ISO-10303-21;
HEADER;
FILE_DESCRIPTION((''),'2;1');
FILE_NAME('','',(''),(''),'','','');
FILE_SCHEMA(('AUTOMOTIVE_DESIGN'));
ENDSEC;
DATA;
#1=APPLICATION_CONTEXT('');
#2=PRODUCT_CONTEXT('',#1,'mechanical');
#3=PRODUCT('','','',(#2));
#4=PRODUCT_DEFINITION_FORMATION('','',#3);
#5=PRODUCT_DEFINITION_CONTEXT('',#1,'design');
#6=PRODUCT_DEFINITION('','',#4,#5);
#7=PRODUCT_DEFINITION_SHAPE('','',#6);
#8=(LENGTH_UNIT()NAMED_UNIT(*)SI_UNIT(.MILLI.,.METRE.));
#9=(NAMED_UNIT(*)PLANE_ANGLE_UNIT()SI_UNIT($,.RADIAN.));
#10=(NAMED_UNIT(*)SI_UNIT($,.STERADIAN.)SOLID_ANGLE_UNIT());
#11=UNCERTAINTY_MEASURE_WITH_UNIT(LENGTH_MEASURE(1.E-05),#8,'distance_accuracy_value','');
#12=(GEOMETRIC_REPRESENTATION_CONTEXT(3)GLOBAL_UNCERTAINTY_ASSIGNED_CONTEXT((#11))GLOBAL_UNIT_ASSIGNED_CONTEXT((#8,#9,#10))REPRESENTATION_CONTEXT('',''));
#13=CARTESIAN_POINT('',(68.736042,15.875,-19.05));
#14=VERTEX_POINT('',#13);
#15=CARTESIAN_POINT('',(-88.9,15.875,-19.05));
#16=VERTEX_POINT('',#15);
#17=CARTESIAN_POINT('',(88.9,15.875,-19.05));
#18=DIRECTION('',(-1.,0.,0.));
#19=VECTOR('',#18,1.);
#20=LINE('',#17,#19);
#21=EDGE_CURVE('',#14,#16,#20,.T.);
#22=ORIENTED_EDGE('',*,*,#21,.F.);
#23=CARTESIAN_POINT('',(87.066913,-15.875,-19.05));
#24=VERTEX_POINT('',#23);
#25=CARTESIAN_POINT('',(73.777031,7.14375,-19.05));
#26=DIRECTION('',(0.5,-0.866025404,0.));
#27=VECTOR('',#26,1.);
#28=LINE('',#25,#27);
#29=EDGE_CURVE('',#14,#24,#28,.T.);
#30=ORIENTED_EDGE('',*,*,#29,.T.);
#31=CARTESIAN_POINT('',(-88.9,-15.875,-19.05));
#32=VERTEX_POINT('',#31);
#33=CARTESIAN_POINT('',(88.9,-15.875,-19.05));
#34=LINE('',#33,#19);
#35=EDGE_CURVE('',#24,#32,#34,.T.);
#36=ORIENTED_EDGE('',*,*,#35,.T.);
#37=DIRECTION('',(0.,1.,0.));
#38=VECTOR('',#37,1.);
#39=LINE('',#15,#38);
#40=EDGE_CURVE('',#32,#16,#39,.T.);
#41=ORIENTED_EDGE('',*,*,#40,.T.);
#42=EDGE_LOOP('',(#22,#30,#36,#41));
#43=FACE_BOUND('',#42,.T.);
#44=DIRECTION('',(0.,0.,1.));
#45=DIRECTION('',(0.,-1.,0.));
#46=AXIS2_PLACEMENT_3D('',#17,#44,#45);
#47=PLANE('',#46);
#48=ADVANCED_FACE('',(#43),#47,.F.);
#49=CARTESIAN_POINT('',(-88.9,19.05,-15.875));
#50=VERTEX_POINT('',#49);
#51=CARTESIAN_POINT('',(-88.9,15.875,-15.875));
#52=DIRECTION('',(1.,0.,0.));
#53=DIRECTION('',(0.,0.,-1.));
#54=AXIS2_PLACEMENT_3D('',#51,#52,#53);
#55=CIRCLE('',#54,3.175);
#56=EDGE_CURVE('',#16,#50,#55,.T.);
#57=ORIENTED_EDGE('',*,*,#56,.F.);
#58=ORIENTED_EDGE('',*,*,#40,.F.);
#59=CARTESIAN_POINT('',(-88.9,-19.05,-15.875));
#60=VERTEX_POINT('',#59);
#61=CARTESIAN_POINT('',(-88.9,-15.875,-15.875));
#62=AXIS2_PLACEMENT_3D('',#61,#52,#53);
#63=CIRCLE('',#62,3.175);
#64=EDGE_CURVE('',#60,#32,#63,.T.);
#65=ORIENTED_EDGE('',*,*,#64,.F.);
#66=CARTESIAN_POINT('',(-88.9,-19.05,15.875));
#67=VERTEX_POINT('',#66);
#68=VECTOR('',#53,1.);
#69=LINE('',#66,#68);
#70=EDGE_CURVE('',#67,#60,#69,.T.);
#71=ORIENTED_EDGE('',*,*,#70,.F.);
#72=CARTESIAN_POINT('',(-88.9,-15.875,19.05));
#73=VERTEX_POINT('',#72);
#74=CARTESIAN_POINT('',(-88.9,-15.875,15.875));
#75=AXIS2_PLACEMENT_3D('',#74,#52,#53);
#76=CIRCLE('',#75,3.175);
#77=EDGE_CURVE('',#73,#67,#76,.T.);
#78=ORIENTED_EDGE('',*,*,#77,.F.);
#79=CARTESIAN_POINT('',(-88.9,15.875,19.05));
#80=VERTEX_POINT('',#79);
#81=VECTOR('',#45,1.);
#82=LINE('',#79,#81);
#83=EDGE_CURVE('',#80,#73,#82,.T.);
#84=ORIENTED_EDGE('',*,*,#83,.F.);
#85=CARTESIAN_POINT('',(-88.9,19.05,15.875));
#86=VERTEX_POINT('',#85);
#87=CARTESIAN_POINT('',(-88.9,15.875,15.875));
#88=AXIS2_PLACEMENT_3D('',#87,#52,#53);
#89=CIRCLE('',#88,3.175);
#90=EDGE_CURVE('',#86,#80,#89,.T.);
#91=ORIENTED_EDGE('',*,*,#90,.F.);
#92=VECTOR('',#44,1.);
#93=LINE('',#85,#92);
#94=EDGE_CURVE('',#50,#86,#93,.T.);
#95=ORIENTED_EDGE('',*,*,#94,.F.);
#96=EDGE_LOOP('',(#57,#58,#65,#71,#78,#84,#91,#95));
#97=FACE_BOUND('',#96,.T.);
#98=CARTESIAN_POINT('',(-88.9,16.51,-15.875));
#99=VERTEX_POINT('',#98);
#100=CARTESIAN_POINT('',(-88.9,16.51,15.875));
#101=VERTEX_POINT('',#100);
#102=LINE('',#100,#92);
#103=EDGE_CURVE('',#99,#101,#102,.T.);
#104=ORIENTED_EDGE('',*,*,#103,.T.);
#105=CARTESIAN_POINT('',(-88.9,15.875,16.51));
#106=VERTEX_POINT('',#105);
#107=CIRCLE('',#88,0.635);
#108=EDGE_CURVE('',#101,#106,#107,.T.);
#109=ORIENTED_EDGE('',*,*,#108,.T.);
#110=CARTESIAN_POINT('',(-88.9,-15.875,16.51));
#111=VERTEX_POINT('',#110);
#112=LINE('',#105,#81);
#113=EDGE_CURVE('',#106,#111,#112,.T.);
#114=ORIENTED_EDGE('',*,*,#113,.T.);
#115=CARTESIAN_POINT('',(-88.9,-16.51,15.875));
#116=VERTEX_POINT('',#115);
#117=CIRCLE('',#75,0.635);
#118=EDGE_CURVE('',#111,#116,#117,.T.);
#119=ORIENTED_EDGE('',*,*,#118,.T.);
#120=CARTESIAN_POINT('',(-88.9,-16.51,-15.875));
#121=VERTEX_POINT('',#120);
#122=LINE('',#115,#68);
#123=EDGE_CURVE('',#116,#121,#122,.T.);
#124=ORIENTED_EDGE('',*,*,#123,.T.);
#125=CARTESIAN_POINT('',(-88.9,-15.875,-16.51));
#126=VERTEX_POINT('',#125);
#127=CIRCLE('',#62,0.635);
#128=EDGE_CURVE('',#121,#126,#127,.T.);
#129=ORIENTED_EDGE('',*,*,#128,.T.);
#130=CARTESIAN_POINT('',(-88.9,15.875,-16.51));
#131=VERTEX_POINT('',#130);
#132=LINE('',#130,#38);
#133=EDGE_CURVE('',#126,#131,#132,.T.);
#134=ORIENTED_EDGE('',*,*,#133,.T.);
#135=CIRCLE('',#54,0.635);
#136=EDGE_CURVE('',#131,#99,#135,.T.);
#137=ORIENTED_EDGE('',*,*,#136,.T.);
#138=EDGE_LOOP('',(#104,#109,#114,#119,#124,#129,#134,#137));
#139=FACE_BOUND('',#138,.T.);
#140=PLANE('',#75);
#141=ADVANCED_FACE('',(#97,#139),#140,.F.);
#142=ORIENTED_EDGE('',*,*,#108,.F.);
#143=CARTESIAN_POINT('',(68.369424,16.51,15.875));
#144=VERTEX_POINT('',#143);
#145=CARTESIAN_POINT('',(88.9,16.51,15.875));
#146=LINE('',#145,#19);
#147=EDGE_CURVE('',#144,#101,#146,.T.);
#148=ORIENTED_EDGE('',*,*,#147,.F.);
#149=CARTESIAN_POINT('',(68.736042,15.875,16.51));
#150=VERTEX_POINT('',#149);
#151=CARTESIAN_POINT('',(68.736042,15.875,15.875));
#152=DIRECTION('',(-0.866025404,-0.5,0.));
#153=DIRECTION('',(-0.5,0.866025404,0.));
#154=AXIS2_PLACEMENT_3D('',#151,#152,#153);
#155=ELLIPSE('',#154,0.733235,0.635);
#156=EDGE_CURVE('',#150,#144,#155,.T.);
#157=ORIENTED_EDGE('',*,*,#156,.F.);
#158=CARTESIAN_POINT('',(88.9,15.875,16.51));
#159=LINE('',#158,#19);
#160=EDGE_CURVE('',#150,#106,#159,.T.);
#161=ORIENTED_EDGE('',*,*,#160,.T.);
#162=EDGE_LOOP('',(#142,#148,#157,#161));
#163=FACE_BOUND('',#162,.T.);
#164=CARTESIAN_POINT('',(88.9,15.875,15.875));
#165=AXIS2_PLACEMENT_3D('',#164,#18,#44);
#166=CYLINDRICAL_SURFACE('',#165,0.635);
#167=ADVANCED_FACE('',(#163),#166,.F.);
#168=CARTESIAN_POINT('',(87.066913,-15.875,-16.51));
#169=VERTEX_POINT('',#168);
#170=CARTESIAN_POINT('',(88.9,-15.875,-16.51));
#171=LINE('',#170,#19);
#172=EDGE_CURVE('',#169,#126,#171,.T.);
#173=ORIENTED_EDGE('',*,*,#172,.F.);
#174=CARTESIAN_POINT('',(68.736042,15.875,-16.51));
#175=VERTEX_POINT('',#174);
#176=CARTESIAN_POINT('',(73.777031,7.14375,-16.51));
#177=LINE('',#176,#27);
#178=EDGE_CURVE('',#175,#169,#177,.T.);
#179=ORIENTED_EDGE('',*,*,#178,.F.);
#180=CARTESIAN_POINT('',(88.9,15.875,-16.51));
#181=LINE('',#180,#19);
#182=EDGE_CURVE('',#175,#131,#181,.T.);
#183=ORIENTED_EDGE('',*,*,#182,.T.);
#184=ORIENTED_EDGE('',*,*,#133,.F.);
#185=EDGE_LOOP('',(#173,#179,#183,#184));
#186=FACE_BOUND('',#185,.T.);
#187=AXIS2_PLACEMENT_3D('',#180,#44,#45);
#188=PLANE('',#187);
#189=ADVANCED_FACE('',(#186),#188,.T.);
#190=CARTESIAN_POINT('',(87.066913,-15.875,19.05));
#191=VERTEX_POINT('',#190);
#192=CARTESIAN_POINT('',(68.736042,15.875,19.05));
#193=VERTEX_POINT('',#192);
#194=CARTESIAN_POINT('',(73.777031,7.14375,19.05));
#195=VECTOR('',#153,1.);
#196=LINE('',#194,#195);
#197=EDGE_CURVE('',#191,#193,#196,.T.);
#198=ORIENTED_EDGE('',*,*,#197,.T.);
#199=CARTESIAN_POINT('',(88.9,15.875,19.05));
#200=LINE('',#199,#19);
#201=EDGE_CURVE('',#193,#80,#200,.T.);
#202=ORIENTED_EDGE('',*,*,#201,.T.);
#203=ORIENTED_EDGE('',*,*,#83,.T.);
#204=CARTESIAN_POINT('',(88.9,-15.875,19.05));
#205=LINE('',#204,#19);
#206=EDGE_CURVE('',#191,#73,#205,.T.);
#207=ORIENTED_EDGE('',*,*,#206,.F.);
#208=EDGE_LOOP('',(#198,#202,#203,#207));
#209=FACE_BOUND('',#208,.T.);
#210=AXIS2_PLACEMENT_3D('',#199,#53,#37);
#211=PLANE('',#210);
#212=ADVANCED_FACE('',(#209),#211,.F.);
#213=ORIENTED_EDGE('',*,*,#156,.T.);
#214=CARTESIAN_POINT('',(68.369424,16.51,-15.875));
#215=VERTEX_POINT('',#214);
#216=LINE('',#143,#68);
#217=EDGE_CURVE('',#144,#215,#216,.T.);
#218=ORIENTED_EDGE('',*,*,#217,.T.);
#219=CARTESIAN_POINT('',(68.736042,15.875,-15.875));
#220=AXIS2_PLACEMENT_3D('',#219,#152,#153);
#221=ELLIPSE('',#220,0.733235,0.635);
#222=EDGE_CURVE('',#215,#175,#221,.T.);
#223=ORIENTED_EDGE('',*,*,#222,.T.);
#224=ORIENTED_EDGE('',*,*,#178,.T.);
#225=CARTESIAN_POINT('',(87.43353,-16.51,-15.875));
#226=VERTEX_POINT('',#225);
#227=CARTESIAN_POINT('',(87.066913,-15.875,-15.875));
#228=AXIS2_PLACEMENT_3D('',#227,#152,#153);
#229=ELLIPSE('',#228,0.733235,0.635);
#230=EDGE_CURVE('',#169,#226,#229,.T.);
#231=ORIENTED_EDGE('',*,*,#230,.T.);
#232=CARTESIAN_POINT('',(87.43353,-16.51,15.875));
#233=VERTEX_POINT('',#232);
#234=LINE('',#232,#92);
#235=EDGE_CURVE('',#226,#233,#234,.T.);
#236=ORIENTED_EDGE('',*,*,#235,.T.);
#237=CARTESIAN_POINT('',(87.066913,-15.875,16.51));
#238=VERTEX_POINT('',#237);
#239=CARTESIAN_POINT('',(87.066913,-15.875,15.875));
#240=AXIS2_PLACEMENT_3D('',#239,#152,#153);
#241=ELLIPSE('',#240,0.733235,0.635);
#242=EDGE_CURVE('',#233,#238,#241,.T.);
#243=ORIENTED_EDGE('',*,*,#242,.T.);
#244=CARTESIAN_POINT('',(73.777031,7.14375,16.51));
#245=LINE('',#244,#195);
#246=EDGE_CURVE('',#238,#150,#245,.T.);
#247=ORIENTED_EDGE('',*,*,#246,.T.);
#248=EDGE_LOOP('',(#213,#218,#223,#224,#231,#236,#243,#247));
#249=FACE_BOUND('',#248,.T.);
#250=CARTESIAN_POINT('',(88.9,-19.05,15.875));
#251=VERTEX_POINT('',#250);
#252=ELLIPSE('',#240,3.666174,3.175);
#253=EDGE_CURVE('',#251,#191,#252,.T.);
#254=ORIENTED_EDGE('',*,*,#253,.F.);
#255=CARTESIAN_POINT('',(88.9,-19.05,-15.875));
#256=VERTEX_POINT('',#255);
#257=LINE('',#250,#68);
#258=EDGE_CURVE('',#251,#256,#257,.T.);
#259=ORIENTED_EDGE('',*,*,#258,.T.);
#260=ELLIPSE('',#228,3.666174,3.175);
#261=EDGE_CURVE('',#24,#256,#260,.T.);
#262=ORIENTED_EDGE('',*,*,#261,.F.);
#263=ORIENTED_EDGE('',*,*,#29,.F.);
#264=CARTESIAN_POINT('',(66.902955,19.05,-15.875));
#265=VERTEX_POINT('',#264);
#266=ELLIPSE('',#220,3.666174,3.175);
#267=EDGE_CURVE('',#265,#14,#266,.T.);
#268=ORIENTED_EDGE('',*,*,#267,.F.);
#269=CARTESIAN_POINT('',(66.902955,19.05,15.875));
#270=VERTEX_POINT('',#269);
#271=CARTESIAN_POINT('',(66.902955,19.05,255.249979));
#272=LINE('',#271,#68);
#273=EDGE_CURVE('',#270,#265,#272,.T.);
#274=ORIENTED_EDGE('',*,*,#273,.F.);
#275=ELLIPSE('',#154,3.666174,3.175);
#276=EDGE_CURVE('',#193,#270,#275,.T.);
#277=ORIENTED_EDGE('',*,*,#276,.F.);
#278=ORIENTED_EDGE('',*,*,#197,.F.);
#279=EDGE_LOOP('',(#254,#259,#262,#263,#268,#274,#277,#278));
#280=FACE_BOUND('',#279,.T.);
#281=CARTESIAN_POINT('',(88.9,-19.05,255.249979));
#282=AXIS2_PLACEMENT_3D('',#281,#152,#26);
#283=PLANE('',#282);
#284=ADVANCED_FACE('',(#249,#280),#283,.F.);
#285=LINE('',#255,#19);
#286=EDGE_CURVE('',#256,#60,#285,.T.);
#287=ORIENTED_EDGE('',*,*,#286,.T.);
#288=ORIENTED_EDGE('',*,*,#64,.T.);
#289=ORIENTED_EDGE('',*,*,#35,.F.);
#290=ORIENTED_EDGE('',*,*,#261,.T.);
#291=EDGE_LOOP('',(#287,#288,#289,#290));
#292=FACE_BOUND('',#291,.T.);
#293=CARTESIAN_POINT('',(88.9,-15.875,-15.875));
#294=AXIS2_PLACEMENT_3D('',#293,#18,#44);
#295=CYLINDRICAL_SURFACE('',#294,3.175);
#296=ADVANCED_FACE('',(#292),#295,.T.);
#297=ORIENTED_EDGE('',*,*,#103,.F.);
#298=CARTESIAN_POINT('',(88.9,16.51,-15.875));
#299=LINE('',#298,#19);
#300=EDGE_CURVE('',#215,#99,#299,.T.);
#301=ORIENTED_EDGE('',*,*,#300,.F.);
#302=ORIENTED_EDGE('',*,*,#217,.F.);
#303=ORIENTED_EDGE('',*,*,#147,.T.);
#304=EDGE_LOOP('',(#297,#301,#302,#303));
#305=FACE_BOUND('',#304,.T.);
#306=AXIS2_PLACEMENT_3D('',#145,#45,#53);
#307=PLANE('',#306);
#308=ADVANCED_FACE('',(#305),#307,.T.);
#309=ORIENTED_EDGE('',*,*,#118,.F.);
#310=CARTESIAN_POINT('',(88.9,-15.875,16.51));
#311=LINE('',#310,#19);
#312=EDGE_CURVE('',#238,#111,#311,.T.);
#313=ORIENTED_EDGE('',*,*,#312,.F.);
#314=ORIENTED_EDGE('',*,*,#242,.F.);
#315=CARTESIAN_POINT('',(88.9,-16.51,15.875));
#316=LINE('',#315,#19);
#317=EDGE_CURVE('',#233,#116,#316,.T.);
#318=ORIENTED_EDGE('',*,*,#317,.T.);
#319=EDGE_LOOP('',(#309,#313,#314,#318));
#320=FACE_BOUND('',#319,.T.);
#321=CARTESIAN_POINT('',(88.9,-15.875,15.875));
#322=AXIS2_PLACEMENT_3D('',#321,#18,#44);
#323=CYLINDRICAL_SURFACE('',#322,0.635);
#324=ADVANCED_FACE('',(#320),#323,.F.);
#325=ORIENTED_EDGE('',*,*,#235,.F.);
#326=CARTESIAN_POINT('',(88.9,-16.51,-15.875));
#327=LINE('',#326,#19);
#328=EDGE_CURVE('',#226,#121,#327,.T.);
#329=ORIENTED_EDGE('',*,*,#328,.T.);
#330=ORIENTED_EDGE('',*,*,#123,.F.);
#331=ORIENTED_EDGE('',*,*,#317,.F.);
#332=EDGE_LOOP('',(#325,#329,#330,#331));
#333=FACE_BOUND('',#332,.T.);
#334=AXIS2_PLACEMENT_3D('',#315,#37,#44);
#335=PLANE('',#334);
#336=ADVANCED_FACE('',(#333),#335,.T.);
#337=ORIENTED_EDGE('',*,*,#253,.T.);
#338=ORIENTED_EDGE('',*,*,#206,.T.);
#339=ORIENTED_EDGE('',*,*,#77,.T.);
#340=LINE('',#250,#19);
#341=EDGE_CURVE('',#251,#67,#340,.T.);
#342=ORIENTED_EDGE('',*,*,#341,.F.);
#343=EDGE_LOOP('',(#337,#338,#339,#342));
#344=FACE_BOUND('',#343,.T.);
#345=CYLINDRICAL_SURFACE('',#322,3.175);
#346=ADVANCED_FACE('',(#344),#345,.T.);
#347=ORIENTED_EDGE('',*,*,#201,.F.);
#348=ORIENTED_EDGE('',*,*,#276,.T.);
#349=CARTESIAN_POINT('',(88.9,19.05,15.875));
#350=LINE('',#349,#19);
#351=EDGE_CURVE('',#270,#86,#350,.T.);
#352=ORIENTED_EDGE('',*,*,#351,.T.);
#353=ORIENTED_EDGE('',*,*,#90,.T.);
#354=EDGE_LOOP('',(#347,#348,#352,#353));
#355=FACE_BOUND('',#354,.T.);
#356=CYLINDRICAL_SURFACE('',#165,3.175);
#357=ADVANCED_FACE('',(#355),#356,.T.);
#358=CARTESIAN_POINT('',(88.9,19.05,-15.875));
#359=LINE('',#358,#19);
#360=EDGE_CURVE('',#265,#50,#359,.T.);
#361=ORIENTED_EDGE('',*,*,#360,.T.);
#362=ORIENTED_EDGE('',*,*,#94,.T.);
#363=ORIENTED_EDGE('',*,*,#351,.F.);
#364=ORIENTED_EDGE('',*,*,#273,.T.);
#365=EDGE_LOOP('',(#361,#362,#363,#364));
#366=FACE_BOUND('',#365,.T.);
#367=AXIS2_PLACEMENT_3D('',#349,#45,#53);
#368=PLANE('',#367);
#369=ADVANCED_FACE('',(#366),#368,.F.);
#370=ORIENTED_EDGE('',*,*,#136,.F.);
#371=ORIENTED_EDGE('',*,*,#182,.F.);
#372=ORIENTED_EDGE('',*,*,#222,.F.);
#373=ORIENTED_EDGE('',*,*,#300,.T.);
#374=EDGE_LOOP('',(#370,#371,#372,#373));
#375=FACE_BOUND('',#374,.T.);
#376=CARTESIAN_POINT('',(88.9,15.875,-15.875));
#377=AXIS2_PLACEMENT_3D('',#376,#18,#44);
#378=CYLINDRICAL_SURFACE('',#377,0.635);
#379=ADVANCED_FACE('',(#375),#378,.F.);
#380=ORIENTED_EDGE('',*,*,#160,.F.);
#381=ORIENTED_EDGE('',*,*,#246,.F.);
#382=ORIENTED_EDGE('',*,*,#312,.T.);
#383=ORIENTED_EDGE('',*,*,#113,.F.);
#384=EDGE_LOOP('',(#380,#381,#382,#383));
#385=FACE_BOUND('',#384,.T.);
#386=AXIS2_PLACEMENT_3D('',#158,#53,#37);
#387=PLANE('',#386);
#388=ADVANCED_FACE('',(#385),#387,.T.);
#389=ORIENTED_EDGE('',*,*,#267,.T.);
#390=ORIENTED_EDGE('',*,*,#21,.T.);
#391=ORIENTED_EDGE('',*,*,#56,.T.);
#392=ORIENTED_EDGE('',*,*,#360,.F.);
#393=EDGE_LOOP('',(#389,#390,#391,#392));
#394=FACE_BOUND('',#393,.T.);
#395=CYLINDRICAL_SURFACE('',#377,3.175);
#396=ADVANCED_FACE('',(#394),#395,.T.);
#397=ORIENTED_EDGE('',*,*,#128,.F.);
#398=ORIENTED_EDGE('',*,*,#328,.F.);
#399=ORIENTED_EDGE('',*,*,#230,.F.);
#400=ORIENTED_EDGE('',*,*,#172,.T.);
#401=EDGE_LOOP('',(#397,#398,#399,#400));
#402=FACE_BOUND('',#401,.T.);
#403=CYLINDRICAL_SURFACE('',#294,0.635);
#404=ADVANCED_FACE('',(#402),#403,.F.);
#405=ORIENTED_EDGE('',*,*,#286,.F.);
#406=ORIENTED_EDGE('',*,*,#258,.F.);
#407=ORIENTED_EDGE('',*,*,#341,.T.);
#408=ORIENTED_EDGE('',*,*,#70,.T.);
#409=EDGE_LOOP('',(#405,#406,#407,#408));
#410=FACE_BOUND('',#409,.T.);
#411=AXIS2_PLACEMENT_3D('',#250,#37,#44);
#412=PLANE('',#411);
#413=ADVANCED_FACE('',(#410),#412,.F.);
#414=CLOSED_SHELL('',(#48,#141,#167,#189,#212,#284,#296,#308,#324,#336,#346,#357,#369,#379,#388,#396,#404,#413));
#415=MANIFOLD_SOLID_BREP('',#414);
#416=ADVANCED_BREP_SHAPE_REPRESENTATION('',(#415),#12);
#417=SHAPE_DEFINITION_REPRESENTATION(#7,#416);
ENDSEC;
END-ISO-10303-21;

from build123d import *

# Parameters (mm, degrees)
EXTRUDE_THIN1_DEPTH     = 88.9
CUT_EXTRUDE1_DEPTH      = 1
CUT_EXTRUDE1_DEPTH_BACK = 39.1


with BuildPart() as part:
    # Sketch1 → Extrude-Thin1 (new body, symmetric)
    with BuildSketch(Plane(origin=(0, 0, 0), x_dir=(0, 0, -1), z_dir=(1, 0, 0))):
        with BuildLine():
            Line((-15.875, 19.05), (15.875, 19.05))
            ThreePointArc((15.875, 19.05), (18.12006403, 18.12006403), (19.05, 15.875))
            Line((19.05, 15.875), (19.05, -15.875))
            ThreePointArc((19.05, -15.875), (18.12006403, -18.12006403), (15.875, -19.05))
            Line((15.875, -19.05), (-15.875, -19.05))
            ThreePointArc((-15.875, -19.05), (-18.12006403, -18.12006403), (-19.05, -15.875))
            Line((-19.05, -15.875), (-19.05, 15.875))
            ThreePointArc((-19.05, 15.875), (-18.12006403, 18.12006403), (-15.875, 19.05))
        make_face()
        with BuildLine():
            Line((-15.875, 16.51), (15.875, 16.51))
            ThreePointArc((15.875, 16.51), (16.324012806, 16.324012806), (16.51, 15.875))
            Line((16.51, 15.875), (16.51, -15.875))
            ThreePointArc((16.51, -15.875), (16.324012806, -16.324012806), (15.875, -16.51))
            Line((15.875, -16.51), (-15.875, -16.51))
            ThreePointArc((-15.875, -16.51), (-16.324012806, -16.324012806), (-16.51, -15.875))
            Line((-16.51, -15.875), (-16.51, 15.875))
            ThreePointArc((-16.51, 15.875), (-16.324012806, 16.324012806), (-15.875, 16.51))
        make_face(mode=Mode.SUBTRACT)
    extrude(amount=EXTRUDE_THIN1_DEPTH, both=True)

    # Sketch2 → Cut-Extrude1 (cut, two sides)
    with BuildSketch(Plane.XY.offset(19.05)) as cut_extrude1_sk:
        Polygon((275.736327504, -342.660011936), (88.9, -19.05), (66.902954744, 19.05), (-119.93337276, 342.660011936), (527.286651112, 716.332666943), (922.956351375, 31.012643071), align=None)
    extrude(amount=CUT_EXTRUDE1_DEPTH, mode=Mode.SUBTRACT)
    extrude(cut_extrude1_sk.sketch, amount=-CUT_EXTRUDE1_DEPTH_BACK, mode=Mode.SUBTRACT)


solid = part.part
